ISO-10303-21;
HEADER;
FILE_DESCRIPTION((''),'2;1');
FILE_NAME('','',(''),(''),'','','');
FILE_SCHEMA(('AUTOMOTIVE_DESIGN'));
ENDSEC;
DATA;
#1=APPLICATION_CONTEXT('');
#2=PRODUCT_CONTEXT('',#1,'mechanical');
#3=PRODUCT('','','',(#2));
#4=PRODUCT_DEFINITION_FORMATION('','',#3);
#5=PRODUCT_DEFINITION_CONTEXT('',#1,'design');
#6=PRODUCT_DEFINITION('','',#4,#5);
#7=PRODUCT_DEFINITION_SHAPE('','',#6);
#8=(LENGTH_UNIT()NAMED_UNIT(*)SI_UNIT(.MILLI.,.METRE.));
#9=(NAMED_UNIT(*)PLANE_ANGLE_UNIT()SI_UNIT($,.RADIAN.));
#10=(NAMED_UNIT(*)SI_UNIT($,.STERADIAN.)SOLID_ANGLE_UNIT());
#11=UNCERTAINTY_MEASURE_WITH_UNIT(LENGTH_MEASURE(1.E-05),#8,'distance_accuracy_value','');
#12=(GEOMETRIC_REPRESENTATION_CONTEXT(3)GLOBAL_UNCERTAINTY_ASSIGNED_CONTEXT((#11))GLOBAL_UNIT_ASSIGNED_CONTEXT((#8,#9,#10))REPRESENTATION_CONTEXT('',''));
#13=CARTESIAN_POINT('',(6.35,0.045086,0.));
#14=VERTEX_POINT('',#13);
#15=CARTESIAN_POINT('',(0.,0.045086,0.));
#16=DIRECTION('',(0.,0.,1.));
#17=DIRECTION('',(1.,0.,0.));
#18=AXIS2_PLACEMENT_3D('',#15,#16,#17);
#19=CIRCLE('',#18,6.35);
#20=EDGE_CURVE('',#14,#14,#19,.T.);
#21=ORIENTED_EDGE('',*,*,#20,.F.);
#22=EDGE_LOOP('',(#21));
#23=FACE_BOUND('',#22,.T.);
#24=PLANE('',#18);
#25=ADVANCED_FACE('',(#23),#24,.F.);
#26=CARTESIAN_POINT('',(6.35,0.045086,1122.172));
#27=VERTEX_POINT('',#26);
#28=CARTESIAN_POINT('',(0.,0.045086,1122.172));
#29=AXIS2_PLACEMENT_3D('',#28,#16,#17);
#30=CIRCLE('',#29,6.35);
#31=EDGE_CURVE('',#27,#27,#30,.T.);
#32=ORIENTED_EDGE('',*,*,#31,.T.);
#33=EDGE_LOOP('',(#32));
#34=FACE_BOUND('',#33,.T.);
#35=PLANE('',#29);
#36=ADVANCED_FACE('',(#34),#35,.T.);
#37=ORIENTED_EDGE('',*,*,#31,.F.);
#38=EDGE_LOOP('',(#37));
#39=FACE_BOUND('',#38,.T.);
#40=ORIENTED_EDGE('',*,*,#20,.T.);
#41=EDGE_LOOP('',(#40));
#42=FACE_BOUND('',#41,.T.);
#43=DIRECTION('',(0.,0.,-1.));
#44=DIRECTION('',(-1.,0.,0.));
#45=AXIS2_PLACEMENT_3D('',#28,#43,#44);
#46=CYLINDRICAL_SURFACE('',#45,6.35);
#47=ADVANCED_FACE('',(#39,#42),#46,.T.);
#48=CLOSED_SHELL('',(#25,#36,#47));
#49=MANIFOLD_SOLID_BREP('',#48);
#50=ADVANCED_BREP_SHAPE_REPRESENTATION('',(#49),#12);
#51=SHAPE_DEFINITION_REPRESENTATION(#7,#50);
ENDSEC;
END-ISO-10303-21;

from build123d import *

# Parameters (mm, degrees)
SKETCH1_R           = 6.35
BOSS_EXTRUDE1_DEPTH = 1122.172


with BuildPart() as part:
    # Sketch1 → Boss-Extrude1 (new body)
    with BuildSketch(Plane.XY):
        with Locations((0, 0.045085855)):
            Circle(SKETCH1_R)
    extrude(amount=BOSS_EXTRUDE1_DEPTH)


solid = part.part
